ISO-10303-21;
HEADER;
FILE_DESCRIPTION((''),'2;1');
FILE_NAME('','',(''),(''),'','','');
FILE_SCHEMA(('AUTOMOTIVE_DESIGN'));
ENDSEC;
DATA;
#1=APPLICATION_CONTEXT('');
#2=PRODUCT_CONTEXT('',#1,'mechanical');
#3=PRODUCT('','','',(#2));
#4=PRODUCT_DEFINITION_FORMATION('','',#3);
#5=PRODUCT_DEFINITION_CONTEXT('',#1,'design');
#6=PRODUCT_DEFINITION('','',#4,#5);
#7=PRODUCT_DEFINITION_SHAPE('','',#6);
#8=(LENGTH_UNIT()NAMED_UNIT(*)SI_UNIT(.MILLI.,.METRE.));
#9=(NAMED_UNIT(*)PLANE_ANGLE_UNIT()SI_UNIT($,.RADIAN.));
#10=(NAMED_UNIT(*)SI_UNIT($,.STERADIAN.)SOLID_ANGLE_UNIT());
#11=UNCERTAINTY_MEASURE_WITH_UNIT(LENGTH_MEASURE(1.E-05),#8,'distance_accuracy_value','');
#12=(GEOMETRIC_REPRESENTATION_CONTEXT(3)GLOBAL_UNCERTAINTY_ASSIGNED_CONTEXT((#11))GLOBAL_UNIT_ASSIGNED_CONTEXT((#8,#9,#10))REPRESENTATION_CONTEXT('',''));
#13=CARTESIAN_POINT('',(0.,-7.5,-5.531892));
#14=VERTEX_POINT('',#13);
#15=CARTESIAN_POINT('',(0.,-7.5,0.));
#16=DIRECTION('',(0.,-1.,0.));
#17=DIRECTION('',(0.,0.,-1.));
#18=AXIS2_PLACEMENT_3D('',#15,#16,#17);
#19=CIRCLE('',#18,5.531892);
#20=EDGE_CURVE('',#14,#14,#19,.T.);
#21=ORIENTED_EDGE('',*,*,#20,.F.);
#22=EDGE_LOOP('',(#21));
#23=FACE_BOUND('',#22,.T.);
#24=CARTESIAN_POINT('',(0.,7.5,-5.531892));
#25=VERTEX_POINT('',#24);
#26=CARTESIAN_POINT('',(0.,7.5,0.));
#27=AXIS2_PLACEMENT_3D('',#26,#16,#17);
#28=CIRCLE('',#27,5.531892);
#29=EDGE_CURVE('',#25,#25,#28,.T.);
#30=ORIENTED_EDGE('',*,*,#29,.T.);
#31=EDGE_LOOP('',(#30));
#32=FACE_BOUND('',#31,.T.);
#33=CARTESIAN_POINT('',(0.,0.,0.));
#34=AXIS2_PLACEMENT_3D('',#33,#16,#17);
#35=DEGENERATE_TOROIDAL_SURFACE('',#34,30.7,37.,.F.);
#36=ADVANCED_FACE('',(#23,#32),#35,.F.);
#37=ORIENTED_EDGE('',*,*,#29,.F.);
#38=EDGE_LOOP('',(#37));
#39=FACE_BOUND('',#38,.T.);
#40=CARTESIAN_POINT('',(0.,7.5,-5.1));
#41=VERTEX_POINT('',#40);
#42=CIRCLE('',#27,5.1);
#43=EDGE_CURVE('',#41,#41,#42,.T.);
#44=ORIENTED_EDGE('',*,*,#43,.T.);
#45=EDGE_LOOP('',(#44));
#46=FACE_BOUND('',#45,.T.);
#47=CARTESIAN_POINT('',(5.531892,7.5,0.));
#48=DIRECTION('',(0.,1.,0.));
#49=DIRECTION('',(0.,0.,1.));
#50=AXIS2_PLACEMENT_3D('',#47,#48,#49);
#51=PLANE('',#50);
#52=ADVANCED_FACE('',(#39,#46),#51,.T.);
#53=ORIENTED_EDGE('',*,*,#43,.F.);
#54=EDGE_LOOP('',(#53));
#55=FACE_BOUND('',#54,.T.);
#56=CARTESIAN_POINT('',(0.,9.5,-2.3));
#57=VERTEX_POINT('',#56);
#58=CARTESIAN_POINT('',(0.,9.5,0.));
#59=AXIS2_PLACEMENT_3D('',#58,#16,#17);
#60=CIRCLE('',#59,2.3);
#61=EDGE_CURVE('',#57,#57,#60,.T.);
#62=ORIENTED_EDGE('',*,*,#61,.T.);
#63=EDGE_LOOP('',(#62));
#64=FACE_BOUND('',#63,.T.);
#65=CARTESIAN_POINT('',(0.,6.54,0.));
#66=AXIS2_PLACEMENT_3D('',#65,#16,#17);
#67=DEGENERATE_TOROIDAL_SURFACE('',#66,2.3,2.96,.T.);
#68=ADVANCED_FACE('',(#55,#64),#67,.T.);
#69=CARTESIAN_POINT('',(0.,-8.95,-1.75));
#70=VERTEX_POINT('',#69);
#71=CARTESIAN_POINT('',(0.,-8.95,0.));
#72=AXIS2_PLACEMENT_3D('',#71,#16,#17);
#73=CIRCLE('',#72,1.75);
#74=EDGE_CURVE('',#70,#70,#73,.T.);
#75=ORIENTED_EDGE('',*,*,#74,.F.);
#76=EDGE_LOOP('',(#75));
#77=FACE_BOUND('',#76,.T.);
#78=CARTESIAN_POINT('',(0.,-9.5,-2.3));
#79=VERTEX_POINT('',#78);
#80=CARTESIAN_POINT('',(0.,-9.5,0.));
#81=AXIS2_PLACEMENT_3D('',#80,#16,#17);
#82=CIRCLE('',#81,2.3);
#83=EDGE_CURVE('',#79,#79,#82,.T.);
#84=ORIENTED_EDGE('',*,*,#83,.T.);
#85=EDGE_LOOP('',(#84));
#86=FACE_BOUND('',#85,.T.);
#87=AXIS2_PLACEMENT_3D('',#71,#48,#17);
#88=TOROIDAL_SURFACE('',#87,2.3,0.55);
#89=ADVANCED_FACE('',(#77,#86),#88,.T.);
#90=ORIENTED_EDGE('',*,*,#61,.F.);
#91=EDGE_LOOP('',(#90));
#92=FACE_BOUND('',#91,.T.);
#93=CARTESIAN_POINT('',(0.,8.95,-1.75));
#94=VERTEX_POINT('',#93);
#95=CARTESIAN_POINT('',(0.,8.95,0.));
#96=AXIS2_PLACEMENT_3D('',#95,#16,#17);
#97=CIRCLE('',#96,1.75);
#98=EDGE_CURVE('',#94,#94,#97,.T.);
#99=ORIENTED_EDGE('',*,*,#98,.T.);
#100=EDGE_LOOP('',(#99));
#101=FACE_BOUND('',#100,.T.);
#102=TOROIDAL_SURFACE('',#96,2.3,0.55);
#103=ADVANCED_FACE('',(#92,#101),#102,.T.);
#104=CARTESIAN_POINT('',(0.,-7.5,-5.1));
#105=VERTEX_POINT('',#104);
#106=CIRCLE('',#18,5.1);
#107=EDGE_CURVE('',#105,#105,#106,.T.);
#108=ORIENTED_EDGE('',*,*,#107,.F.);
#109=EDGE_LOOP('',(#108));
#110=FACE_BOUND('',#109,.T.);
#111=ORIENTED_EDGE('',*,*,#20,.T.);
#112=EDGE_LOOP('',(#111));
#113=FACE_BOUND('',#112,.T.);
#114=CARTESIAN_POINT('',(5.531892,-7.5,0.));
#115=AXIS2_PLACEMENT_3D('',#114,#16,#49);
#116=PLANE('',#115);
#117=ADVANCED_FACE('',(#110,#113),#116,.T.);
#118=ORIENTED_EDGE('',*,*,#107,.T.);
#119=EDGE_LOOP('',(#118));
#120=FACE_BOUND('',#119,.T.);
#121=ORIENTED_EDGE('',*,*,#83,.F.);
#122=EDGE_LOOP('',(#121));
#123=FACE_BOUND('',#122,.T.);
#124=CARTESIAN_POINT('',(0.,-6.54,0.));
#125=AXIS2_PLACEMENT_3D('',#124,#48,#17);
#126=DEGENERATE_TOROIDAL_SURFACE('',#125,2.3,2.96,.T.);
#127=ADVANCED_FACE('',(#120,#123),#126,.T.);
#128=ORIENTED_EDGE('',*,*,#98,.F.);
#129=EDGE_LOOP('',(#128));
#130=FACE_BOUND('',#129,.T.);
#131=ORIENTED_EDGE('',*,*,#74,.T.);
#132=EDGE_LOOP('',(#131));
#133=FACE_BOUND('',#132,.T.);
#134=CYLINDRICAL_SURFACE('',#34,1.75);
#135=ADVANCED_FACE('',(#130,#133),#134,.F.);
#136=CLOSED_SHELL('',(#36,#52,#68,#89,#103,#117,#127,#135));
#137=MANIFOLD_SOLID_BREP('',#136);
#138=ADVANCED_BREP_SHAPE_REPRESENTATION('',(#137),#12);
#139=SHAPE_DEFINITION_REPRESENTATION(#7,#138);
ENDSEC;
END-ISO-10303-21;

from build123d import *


with BuildPart() as part:
    # Sketch1 → Revolve1 (revolve)
    with BuildSketch(Plane.XY):
        with BuildLine():
            Line((1.75, 0), (6.3, 0))
            ThreePointArc((6.3, 0), (6.107472102, 3.769615029), (5.531892029, 7.5))
            Line((5.531892029, 7.5), (5.1, 7.5))
            ThreePointArc((5.1, 7.5), (4.020465053, 8.948651075), (2.3, 9.5))
            ThreePointArc((2.3, 9.5), (1.91109127, 9.33890873), (1.75, 8.95))
            Line((1.75, 8.95), (1.75, 0))
        make_face()
    revolve1 = revolve(axis=Axis((0, 0, 0), (0, 1, 0)))

    # Mirror1: Revolve1 across plane
    add(revolve1.mirror(Plane(origin=(1.75, 0, 0), x_dir=(0, 0, 1), z_dir=(0, -1, 0))))


solid = part.part
